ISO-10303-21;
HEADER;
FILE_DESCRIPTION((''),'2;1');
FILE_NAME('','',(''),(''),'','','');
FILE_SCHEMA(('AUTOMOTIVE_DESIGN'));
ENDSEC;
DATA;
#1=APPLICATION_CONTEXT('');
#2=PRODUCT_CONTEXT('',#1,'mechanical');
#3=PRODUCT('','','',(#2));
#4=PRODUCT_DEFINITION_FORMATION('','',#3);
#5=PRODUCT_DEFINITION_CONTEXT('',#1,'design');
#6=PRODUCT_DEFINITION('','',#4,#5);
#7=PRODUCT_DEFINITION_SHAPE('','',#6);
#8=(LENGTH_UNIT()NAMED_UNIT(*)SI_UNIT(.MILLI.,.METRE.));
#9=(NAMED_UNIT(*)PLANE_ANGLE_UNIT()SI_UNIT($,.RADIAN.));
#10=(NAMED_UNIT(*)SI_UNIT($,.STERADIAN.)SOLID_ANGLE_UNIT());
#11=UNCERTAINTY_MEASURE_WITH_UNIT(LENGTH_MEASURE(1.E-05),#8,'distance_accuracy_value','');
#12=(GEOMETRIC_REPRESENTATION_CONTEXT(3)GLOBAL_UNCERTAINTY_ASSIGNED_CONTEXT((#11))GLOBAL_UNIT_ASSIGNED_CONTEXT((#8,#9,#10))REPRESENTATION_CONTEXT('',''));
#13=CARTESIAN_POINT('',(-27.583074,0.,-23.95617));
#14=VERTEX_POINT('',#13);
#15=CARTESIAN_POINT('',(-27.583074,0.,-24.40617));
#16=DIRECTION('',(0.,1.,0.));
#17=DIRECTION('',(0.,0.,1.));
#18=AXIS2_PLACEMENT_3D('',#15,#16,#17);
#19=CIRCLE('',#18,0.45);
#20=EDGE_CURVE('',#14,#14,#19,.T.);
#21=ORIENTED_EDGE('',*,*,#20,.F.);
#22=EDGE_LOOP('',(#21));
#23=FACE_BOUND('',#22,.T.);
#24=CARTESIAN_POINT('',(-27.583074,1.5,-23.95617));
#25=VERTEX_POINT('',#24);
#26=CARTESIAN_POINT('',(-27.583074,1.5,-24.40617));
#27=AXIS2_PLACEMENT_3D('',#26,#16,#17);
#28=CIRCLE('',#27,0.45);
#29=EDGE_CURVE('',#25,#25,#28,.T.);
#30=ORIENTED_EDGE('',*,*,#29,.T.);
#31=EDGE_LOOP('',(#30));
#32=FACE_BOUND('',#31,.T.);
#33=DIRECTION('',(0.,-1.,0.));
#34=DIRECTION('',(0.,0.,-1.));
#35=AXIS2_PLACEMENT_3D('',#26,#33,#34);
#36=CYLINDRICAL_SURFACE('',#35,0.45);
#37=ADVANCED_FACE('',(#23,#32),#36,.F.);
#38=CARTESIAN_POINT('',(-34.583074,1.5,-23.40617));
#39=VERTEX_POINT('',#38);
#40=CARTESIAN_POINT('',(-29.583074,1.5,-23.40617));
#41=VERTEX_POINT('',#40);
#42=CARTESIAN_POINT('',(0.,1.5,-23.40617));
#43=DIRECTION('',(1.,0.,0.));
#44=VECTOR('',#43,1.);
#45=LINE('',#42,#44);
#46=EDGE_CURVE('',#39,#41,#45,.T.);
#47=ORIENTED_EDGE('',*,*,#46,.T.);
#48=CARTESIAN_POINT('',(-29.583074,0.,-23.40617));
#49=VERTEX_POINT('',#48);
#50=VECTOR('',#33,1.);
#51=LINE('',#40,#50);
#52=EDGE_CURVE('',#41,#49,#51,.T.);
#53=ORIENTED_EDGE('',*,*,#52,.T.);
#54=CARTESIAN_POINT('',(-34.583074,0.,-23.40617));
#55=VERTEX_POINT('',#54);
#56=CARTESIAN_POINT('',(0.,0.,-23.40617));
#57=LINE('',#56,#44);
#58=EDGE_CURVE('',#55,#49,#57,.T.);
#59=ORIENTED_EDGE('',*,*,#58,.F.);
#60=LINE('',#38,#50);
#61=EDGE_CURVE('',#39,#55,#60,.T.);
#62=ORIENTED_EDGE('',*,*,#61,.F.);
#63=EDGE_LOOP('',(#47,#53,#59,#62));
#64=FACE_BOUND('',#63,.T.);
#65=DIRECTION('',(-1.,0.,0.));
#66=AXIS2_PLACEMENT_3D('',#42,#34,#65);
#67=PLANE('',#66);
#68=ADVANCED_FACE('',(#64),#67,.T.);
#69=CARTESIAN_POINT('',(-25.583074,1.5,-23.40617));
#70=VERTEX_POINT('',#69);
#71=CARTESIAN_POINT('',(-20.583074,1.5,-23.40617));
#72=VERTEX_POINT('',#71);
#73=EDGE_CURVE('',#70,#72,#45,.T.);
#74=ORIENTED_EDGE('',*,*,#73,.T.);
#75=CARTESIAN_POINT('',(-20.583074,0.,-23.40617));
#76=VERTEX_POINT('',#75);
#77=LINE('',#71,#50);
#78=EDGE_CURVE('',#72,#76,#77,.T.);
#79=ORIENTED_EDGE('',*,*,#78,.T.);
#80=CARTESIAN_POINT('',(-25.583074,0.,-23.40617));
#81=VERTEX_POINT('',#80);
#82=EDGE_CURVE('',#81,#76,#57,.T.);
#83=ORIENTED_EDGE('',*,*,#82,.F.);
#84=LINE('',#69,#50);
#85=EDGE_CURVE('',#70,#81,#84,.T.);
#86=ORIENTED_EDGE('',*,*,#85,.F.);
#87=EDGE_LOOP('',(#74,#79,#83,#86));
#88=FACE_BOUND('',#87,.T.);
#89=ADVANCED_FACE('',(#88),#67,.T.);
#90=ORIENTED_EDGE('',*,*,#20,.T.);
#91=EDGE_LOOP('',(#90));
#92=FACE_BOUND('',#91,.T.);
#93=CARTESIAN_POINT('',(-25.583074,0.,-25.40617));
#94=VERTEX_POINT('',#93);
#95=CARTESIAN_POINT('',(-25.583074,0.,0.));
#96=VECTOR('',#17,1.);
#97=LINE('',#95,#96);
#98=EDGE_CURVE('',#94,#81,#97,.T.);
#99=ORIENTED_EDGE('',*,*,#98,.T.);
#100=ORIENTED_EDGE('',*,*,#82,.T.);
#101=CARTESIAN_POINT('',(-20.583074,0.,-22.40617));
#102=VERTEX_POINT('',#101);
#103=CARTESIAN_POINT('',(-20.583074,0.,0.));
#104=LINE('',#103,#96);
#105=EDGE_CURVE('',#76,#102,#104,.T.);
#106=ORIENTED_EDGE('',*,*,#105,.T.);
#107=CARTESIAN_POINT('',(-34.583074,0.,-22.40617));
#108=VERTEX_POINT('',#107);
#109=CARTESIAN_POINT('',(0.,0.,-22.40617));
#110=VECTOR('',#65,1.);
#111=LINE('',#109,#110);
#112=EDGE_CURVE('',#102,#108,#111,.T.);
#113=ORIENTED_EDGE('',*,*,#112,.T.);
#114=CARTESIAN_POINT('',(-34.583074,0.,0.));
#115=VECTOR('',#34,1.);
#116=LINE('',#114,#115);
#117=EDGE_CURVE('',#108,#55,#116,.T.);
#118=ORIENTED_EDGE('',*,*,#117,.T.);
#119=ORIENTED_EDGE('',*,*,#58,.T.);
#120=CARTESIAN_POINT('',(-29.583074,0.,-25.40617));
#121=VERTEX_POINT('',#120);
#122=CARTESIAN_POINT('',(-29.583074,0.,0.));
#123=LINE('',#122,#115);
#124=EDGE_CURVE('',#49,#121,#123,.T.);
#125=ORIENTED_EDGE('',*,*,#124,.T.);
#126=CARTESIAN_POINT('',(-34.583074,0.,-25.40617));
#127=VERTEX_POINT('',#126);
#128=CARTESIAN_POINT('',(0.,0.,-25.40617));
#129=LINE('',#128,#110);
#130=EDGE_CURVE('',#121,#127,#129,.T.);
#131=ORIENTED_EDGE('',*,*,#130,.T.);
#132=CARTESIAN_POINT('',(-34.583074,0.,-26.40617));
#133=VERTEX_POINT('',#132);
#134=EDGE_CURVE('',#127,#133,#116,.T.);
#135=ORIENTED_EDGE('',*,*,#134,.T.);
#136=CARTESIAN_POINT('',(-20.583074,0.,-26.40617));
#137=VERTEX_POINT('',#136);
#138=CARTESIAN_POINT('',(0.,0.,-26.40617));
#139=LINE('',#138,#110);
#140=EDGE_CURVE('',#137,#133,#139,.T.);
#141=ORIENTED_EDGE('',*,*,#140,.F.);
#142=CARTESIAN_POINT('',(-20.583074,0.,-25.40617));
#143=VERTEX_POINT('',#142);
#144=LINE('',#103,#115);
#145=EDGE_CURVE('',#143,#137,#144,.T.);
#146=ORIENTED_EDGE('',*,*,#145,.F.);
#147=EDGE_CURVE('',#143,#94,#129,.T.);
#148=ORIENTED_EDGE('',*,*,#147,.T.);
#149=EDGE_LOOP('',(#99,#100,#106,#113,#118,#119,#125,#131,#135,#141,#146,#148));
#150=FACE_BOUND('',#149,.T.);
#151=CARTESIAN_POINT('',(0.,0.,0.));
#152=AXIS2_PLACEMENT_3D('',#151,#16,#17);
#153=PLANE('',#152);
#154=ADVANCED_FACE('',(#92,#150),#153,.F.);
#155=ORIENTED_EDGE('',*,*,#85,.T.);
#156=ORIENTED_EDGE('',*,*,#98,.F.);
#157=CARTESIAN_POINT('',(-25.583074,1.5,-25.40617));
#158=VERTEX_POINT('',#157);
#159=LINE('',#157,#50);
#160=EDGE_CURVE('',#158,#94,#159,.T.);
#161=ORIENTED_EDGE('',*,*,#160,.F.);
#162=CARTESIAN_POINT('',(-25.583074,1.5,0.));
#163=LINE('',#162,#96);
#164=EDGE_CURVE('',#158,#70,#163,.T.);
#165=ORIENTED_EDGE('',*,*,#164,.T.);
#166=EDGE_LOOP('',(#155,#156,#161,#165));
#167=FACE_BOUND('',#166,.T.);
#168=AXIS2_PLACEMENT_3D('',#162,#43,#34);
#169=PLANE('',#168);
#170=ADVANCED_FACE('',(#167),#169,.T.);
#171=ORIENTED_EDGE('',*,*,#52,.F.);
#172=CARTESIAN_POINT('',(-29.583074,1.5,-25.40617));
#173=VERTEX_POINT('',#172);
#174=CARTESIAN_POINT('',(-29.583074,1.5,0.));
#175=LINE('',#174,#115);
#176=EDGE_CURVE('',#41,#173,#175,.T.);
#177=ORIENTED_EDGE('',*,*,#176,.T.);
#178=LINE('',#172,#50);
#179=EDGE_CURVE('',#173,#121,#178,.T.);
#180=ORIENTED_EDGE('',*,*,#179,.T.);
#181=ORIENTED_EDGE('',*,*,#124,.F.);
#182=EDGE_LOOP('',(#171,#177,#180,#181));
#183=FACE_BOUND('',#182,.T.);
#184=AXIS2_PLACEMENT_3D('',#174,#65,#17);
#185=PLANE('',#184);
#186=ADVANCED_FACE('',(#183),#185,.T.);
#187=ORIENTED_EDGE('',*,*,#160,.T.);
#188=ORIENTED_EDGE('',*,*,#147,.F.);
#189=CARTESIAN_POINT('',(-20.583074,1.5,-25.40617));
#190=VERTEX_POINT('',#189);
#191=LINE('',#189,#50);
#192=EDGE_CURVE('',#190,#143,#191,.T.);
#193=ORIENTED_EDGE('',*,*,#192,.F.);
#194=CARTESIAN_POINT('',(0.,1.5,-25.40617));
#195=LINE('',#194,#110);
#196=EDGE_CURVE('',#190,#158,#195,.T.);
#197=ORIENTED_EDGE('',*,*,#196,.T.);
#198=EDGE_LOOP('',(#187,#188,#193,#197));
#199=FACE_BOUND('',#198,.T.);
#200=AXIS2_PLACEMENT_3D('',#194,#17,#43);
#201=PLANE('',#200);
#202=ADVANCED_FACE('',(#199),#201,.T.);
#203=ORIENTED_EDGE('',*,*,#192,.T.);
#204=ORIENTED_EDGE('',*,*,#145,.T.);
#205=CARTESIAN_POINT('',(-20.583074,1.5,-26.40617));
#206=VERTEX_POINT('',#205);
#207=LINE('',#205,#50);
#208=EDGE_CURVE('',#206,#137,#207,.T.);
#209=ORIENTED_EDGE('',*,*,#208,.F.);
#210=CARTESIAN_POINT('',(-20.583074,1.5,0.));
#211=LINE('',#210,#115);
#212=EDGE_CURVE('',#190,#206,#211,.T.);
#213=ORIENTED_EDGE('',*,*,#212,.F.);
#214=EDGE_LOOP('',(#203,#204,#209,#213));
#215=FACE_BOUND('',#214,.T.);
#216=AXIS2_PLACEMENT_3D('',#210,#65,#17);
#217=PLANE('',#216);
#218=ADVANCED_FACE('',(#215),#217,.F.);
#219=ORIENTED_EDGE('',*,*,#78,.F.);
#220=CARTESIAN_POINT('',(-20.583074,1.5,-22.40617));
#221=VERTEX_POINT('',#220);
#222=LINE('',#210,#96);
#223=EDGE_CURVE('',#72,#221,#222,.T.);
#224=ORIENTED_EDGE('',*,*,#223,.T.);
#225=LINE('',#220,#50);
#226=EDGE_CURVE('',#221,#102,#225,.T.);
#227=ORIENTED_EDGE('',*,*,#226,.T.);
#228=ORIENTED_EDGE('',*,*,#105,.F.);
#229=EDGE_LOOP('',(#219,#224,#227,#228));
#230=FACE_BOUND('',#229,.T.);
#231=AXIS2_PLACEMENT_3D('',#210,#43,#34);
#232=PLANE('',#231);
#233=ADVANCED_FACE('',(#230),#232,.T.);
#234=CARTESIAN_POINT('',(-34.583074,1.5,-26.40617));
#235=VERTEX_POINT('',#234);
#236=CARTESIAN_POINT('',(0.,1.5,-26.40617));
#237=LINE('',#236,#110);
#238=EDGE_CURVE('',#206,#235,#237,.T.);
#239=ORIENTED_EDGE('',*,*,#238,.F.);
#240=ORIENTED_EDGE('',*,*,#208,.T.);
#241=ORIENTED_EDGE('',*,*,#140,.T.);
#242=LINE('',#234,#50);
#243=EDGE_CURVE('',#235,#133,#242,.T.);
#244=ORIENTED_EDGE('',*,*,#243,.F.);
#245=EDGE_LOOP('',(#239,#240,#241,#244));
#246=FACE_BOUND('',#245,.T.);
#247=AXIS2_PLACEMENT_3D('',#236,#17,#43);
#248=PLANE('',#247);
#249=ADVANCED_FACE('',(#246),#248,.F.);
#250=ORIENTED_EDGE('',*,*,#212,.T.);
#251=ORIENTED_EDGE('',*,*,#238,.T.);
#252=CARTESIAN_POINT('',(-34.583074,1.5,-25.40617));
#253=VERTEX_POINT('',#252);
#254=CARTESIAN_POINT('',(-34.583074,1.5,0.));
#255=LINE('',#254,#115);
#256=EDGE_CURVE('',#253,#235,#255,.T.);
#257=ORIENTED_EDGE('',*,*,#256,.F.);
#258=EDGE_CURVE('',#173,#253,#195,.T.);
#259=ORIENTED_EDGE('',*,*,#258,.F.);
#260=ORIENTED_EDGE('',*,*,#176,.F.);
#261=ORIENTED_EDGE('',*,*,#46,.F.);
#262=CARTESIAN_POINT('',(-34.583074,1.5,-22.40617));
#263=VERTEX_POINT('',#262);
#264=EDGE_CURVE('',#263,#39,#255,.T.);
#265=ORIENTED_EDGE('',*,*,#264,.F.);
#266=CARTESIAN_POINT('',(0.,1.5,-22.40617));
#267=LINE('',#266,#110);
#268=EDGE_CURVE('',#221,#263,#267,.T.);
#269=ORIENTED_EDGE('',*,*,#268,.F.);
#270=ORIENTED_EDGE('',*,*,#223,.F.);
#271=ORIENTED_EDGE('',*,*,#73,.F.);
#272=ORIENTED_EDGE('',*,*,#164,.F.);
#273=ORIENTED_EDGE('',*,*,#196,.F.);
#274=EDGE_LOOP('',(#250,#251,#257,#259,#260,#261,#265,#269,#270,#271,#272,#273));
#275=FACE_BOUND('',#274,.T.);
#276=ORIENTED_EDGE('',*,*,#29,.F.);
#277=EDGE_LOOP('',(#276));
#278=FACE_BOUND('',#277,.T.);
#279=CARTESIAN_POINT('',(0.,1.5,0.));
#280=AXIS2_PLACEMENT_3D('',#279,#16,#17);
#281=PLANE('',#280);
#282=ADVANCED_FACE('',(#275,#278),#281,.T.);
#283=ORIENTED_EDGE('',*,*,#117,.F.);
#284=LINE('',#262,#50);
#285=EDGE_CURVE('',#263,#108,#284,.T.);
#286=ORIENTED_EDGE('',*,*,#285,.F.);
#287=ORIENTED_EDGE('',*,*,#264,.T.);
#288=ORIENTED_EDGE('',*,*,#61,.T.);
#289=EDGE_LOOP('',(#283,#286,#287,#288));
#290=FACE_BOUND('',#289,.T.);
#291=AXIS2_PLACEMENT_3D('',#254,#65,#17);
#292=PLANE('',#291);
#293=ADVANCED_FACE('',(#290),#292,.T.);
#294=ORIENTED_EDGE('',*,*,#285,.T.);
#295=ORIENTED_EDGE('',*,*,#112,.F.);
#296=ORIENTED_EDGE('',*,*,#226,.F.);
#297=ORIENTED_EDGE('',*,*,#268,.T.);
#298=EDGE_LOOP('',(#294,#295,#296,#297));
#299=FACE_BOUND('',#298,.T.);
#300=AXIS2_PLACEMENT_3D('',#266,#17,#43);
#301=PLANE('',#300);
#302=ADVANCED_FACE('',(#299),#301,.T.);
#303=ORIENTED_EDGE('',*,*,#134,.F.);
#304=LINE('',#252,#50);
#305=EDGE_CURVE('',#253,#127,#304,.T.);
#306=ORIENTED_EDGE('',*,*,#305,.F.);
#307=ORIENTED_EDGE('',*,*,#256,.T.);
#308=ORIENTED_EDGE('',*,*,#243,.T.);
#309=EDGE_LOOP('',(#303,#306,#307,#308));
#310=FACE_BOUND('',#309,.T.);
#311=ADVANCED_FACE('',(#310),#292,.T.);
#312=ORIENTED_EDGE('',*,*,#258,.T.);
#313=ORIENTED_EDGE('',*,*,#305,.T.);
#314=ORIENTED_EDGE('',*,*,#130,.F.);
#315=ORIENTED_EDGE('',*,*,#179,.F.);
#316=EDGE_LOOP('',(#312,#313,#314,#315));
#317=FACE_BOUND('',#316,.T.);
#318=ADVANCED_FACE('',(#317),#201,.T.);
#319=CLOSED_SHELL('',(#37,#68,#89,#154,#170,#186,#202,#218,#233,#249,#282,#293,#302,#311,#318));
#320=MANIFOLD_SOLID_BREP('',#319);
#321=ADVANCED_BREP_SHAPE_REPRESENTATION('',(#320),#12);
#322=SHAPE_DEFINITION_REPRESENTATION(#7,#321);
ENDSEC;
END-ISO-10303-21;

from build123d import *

# Parameters (mm, degrees)
SKETCH1_R           = 0.45
BOSS_EXTRUDE3_DEPTH = 1.5


with BuildPart() as part:
    # Sketch1 → Boss-Extrude3 (new body)
    with BuildSketch(Plane(origin=(0, 0, 0), x_dir=(1, 0, 0), z_dir=(0, 1, 0))):
        Polygon((-20.583073889, 25.40617028), (-20.583073889, 26.40617028), (-34.583073889, 26.40617028), (-34.583073889, 25.40617028), (-29.583073889, 25.40617028), (-29.583073889, 23.40617028), (-34.583073889, 23.40617028), (-34.583073889, 22.40617028), (-20.583073889, 22.40617028), (-20.583073889, 23.40617028), (-25.583073889, 23.40617028), (-25.583073889, 25.40617028), align=None)
        with Locations(Location((-27.583073889, 24.40617028, 0), (0, 0, 270))):
            Circle(SKETCH1_R, mode=Mode.SUBTRACT)
    extrude(amount=BOSS_EXTRUDE3_DEPTH)


solid = part.part
